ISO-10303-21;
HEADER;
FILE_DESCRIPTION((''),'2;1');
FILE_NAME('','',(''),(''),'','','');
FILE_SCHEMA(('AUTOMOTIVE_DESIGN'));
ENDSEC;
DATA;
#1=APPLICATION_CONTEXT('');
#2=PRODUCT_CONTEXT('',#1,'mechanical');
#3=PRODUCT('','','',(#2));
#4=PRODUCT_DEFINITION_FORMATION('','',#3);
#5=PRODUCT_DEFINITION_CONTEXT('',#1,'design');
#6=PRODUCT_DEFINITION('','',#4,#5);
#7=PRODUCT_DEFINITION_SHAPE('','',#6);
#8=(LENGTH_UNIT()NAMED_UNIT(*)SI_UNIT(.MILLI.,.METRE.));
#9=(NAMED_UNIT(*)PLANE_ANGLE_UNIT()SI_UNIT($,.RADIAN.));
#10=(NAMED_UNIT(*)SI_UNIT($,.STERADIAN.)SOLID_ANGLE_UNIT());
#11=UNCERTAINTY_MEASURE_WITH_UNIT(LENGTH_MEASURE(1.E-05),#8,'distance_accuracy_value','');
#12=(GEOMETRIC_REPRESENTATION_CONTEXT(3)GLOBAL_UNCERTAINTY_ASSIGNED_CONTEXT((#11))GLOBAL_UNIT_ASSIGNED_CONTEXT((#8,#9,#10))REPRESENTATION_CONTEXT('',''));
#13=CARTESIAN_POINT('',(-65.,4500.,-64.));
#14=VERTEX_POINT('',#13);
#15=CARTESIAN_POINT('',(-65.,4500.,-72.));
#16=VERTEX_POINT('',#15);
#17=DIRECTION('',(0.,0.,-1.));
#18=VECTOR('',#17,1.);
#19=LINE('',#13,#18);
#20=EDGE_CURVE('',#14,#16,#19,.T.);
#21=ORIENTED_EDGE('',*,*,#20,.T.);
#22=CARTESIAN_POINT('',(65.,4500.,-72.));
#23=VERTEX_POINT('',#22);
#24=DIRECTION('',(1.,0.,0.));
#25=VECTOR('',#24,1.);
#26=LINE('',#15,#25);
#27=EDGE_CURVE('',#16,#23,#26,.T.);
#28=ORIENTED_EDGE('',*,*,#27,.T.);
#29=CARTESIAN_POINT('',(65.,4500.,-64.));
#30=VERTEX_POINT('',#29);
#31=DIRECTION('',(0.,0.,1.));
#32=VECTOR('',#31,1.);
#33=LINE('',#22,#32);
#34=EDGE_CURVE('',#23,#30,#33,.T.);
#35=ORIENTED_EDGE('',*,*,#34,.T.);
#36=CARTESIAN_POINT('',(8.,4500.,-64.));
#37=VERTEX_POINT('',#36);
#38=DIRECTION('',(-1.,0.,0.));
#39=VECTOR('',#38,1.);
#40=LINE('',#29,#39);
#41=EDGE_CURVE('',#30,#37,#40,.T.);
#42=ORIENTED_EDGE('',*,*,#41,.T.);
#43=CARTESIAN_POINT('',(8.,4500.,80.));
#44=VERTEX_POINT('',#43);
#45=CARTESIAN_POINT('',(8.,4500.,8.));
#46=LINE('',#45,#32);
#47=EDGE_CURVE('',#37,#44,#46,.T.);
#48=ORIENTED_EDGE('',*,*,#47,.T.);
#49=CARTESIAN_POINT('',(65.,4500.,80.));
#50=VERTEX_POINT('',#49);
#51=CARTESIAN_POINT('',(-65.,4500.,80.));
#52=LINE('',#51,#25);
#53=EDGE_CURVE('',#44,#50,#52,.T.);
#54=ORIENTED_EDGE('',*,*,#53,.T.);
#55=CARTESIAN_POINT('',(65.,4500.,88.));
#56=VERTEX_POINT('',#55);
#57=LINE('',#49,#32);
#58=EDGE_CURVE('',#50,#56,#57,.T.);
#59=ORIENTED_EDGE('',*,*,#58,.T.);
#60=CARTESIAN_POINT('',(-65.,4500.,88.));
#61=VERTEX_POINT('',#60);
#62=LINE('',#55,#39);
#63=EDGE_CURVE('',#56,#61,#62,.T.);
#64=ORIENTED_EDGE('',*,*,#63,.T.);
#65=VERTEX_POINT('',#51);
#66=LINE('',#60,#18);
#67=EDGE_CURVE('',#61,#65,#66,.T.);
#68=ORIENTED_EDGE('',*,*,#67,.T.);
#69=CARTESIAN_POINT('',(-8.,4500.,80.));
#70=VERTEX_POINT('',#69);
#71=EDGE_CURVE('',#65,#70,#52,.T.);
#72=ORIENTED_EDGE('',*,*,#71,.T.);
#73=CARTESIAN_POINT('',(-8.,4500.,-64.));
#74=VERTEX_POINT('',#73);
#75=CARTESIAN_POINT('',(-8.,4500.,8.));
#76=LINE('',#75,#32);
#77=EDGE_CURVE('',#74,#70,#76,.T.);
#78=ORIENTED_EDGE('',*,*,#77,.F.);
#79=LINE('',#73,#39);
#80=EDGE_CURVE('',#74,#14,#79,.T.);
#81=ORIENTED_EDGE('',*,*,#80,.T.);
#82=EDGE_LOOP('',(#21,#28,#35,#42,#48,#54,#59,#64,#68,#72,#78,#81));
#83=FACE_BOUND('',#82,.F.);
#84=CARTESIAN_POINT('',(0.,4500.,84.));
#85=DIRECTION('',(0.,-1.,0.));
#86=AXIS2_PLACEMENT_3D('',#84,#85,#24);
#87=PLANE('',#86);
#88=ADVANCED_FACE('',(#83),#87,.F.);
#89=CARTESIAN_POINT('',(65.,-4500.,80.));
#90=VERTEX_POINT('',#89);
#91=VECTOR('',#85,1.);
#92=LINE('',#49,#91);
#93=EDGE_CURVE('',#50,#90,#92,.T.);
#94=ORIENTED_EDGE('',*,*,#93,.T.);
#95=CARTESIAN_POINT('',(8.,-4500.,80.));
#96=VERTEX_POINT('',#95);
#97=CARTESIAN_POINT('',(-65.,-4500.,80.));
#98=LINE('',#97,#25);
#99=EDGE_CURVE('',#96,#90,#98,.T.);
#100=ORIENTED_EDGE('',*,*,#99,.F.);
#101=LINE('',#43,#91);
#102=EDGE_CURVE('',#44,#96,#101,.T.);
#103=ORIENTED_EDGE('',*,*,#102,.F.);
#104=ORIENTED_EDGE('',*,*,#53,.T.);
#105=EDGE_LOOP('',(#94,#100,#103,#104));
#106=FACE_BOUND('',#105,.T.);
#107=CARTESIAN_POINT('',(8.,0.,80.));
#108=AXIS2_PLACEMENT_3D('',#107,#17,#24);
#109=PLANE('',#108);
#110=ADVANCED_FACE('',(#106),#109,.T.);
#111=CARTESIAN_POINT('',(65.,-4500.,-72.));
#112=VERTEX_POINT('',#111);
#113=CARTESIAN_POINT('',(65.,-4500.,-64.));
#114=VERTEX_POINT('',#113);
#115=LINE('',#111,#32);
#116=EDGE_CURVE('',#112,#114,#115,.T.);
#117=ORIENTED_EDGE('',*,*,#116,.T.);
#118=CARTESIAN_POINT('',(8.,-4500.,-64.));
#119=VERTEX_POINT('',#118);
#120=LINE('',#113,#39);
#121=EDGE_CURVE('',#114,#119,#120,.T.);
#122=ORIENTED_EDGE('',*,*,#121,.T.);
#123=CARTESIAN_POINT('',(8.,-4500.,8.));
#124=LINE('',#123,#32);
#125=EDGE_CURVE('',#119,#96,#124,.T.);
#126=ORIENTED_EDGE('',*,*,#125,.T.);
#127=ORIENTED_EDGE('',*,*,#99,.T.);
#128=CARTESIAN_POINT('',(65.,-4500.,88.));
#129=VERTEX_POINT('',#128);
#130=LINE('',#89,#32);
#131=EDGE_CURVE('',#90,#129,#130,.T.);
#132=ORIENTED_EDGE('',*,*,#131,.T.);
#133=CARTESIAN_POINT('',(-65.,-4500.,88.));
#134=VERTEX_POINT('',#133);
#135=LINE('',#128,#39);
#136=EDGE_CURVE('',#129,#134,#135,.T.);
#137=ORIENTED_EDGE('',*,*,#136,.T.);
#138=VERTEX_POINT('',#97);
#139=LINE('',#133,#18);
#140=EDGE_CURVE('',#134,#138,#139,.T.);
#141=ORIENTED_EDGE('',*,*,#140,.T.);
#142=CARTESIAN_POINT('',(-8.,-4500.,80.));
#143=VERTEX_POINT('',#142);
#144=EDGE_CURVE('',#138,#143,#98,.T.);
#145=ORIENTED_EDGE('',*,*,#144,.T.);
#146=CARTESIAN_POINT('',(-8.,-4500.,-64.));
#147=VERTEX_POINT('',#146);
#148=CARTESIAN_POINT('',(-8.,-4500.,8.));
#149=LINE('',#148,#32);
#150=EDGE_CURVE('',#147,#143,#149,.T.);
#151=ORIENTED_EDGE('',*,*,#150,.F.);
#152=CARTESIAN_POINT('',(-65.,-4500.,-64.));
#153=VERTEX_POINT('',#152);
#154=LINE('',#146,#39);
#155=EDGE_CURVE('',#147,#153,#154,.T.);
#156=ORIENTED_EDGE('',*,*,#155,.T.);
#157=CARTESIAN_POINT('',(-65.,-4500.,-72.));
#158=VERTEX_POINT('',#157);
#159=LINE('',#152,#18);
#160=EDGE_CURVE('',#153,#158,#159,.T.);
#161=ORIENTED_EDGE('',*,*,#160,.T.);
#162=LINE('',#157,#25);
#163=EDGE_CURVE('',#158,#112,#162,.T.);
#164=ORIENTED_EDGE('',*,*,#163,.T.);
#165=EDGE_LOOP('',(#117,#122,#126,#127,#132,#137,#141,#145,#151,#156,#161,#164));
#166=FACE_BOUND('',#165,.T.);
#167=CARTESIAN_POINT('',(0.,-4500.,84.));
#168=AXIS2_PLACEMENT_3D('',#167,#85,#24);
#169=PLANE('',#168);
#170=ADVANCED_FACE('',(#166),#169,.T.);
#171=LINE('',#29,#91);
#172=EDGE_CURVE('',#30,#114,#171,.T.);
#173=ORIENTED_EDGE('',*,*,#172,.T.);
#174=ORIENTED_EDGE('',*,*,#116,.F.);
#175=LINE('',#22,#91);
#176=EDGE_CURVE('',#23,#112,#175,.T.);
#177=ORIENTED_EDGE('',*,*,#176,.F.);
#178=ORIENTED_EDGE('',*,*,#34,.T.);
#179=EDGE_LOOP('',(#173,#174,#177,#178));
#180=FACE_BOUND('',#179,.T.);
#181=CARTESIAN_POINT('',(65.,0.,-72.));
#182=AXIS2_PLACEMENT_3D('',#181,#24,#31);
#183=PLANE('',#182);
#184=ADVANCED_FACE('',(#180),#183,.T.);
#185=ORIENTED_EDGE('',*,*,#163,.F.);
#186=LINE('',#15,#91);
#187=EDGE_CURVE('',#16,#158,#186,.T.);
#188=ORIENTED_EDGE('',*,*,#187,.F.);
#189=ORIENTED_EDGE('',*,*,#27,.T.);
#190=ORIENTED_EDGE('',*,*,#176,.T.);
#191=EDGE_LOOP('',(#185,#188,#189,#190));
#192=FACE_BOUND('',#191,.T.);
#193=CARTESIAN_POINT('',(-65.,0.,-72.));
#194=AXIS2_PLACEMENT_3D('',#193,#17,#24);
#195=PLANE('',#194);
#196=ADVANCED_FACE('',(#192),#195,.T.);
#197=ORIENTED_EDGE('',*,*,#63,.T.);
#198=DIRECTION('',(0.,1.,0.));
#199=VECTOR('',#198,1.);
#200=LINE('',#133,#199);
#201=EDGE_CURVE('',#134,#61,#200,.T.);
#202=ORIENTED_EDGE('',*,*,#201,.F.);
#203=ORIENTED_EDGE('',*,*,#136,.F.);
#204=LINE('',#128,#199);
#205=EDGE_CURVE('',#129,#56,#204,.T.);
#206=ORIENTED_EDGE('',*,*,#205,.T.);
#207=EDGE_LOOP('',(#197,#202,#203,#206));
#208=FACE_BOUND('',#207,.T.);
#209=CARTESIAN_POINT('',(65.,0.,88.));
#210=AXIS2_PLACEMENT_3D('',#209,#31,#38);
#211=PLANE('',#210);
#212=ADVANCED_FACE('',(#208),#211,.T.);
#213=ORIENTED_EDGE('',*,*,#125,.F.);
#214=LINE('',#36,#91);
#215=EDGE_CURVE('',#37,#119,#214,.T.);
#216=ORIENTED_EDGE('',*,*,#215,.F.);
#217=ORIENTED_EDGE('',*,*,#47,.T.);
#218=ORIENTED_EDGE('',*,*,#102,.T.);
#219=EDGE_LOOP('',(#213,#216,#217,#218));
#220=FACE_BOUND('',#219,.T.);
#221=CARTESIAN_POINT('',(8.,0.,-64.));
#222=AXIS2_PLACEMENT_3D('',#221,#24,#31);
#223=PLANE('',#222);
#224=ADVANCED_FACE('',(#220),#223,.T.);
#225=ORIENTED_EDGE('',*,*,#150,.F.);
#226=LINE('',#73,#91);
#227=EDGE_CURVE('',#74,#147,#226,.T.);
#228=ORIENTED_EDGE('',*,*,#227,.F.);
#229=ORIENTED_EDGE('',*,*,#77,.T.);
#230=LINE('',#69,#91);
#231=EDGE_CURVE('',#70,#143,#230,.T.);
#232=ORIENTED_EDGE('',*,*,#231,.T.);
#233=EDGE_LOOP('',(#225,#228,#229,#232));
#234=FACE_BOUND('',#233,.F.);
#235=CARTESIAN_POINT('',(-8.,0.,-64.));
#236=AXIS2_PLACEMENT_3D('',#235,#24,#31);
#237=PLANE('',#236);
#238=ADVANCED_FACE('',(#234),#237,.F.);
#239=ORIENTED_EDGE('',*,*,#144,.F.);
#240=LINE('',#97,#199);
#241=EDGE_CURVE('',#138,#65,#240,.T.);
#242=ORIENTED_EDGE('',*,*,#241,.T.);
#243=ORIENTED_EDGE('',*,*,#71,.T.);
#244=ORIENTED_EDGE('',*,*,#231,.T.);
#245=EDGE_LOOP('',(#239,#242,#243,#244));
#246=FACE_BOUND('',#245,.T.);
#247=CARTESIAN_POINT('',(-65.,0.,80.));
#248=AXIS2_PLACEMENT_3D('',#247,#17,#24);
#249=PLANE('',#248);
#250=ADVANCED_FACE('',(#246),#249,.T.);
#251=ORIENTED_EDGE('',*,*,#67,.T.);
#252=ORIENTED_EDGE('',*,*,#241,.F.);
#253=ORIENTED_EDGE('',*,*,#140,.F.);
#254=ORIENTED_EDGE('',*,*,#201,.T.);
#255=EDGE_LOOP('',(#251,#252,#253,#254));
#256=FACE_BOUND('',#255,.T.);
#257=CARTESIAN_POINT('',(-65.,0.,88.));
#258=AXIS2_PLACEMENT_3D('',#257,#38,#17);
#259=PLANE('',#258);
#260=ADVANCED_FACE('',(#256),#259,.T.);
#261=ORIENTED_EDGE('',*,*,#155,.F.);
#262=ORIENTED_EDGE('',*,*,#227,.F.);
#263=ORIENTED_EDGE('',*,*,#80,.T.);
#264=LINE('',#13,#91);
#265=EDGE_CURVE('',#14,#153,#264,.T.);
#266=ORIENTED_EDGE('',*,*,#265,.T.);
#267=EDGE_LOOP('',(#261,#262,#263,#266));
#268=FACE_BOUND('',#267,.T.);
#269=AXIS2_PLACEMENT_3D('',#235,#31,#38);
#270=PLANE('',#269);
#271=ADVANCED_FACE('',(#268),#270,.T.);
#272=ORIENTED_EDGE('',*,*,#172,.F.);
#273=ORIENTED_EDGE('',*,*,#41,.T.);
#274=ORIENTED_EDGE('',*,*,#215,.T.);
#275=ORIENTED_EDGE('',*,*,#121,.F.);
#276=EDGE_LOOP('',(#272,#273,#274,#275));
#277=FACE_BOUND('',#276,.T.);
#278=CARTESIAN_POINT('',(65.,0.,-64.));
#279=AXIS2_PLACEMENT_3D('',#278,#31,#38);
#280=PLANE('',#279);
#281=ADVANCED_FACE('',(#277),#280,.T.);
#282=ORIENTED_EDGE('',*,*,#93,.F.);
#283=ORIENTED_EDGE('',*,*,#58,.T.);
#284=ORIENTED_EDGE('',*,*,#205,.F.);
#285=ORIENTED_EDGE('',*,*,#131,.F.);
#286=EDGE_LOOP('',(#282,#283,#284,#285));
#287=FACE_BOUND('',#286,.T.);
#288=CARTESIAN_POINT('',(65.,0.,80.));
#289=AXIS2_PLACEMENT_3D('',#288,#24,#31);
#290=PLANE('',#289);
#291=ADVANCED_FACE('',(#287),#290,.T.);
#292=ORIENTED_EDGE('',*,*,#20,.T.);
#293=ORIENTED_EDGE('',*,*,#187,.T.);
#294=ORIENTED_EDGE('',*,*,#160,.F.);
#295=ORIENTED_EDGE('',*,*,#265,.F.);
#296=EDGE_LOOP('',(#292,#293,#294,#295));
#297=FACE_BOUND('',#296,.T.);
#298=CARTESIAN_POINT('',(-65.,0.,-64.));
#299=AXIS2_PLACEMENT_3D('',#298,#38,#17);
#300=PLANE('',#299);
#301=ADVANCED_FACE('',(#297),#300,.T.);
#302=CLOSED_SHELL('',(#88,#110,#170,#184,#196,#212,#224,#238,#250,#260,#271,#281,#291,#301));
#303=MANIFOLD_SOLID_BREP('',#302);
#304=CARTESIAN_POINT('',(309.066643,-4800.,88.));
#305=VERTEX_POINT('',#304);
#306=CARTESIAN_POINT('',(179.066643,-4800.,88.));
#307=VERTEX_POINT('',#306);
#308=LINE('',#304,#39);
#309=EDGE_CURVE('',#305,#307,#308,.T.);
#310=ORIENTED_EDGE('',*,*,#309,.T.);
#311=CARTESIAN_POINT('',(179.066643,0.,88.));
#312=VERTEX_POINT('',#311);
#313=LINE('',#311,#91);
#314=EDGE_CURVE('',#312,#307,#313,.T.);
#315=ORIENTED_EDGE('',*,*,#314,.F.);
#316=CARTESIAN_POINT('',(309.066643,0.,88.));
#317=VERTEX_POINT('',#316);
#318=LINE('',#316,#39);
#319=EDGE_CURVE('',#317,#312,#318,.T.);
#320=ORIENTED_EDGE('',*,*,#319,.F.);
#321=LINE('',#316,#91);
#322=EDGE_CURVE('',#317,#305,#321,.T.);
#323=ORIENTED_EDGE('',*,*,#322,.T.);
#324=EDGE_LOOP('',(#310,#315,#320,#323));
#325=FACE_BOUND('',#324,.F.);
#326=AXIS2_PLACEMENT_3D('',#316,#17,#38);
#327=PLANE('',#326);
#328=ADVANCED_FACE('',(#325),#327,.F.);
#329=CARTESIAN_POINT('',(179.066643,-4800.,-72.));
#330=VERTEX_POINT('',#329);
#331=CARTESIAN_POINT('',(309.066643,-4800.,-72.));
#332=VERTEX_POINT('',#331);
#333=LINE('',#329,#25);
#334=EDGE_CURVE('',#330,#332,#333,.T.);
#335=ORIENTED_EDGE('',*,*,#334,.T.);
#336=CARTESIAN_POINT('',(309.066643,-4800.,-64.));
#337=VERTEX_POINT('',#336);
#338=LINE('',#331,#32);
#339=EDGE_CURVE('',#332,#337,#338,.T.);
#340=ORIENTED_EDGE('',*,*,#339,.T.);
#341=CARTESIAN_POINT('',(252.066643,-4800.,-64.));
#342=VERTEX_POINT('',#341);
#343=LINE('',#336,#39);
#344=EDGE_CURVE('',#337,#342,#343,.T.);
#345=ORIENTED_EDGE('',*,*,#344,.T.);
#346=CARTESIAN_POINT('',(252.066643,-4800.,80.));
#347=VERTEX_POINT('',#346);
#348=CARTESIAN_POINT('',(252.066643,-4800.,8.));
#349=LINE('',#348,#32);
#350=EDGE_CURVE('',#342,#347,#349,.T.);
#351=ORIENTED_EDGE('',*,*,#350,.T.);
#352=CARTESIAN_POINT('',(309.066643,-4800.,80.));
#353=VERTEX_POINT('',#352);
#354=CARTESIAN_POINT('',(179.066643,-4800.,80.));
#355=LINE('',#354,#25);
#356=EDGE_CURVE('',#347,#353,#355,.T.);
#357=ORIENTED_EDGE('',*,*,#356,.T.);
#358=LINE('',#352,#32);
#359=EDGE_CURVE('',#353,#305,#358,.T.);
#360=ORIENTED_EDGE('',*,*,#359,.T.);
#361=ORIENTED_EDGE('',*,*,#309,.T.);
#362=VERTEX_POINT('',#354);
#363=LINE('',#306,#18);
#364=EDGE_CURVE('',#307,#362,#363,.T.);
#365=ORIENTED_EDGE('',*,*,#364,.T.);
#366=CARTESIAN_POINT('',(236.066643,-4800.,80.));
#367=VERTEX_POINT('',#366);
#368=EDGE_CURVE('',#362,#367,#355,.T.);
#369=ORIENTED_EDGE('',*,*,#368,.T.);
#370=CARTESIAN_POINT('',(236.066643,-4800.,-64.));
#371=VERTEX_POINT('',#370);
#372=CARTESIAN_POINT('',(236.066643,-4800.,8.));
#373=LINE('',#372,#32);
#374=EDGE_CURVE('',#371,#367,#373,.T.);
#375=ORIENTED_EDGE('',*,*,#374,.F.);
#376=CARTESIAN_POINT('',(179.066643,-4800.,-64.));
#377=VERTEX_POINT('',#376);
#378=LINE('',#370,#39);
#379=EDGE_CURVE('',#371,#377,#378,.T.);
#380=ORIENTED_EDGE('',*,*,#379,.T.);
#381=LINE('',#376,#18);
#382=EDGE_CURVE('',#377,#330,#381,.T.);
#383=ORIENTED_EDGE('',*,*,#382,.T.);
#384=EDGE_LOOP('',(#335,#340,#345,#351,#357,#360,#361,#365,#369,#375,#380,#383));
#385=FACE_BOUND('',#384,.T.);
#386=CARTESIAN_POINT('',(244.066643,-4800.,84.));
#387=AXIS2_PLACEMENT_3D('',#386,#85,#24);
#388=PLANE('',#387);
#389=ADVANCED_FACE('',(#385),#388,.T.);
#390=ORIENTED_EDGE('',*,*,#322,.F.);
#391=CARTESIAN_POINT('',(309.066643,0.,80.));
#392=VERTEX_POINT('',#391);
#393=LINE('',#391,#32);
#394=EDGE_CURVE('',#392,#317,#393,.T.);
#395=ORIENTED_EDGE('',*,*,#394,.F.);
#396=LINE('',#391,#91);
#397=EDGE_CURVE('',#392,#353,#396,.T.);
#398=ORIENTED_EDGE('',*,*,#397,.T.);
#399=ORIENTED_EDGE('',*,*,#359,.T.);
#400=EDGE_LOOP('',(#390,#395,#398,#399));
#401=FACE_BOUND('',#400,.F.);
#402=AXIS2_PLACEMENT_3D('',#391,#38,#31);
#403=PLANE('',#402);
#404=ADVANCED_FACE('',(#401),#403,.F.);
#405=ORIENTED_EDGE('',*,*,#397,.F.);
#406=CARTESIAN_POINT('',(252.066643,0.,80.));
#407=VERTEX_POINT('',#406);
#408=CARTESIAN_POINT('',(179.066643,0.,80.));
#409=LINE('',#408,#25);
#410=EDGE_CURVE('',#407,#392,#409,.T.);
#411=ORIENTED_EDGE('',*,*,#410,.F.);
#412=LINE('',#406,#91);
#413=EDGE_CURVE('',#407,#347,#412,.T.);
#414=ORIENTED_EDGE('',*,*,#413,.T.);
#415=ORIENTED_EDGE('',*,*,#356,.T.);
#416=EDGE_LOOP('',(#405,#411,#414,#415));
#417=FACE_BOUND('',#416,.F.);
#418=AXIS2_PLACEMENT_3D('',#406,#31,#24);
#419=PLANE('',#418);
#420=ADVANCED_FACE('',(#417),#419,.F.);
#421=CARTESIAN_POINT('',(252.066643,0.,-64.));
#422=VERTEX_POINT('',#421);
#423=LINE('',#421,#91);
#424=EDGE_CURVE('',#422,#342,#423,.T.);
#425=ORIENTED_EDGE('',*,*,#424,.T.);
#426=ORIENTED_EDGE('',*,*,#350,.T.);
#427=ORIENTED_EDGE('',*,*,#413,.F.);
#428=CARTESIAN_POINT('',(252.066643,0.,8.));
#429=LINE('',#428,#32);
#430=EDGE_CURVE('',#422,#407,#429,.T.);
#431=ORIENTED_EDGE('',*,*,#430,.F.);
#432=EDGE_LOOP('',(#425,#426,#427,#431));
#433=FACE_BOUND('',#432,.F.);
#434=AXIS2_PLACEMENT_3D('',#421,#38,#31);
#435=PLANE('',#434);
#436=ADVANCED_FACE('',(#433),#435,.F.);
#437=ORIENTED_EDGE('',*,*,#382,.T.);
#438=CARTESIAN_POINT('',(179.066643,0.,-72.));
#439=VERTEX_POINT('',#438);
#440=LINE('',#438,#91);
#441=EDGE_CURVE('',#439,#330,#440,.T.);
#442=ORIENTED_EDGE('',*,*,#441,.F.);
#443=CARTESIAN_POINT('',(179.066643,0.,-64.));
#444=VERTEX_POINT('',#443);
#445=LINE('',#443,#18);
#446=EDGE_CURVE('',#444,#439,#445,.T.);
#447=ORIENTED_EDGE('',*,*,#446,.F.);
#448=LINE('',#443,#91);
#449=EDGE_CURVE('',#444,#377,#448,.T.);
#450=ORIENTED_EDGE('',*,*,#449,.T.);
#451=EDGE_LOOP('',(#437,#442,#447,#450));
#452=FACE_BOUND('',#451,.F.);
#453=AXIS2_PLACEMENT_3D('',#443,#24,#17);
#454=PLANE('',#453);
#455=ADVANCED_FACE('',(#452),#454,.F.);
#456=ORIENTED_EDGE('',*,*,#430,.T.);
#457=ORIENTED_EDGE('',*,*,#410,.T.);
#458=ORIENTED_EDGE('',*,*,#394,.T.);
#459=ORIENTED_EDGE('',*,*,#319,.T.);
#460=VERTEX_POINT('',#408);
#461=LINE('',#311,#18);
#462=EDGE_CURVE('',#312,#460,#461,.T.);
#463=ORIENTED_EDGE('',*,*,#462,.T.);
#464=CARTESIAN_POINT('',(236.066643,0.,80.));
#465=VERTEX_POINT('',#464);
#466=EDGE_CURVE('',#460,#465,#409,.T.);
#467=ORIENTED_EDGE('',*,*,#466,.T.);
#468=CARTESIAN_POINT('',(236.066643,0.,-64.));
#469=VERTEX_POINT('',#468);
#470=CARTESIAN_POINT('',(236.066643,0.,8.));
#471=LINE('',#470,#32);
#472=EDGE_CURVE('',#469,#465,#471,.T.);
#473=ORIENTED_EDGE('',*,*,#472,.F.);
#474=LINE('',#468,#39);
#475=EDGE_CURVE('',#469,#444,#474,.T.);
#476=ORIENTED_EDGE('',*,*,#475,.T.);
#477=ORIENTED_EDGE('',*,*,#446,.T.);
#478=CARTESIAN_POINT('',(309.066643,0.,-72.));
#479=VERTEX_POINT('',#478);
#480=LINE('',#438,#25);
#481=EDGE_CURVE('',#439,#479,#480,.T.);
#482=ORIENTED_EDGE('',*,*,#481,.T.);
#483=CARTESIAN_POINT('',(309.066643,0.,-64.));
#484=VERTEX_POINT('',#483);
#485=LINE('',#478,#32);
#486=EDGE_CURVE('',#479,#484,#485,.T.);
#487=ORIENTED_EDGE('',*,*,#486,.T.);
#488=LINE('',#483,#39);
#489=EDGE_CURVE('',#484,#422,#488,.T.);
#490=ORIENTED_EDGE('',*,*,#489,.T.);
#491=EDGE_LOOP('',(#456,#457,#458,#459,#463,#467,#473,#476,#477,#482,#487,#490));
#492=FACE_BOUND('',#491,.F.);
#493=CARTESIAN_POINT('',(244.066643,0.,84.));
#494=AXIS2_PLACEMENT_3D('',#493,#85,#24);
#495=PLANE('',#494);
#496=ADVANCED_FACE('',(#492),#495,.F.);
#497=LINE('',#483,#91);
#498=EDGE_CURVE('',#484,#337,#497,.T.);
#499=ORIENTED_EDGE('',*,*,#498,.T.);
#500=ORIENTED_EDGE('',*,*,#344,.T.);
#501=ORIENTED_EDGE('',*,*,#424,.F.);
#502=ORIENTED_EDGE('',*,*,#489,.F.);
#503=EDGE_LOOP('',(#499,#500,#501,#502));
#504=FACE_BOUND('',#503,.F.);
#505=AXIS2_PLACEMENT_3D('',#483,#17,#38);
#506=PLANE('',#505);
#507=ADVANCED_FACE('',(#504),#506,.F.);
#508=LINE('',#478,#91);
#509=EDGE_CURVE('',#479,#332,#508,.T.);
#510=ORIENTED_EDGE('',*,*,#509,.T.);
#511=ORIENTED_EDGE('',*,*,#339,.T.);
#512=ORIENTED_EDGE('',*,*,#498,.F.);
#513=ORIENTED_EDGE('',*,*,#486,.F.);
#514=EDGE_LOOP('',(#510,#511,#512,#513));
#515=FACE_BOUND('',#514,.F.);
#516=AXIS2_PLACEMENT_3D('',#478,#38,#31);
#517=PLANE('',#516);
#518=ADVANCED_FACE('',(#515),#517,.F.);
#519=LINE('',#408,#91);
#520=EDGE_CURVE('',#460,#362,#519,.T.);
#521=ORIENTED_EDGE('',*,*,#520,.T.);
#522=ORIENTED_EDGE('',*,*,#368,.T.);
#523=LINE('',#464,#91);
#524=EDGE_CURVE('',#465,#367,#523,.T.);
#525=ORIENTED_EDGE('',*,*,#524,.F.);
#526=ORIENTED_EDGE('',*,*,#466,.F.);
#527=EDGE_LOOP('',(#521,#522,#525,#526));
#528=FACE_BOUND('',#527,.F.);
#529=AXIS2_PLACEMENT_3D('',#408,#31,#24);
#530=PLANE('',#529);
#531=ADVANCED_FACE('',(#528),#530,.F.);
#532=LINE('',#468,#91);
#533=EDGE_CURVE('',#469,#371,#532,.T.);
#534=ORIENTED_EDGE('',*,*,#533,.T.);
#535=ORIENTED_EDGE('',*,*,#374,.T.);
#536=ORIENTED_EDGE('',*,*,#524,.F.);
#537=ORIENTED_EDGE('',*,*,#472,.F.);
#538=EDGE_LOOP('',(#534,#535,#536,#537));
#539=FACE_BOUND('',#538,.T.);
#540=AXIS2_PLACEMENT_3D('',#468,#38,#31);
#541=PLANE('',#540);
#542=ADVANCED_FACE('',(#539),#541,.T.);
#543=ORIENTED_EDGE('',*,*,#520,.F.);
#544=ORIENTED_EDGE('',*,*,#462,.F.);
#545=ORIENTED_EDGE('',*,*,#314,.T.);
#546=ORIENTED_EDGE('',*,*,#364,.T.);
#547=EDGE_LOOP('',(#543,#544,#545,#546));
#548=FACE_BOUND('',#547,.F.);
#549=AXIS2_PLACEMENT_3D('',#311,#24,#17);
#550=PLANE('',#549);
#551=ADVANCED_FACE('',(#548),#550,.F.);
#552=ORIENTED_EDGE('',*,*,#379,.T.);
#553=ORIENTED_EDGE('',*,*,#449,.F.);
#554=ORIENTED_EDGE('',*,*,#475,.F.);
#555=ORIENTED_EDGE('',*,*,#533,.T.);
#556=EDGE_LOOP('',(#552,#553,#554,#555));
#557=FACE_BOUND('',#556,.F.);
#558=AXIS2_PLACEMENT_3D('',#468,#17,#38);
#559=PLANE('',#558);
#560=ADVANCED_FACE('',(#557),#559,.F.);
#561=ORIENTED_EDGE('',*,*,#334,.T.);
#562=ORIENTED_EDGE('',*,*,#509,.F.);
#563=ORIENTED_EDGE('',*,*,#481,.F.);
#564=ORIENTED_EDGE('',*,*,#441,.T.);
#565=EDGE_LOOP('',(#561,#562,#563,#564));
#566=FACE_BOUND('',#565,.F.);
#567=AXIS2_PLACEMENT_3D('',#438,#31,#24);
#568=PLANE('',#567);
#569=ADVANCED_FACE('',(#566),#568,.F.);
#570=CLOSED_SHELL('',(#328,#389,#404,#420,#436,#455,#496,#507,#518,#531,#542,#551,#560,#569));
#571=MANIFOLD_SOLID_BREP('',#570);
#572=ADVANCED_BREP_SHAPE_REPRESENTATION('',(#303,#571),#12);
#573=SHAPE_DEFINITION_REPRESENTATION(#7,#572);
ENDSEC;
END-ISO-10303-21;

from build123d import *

# Parameters (mm, degrees)
F0_W     = 16
F0_H     = 144
F1_DEPTH = 4500
F2_DEPTH = 4800


with BuildPart() as f1:
    # F0 (on Front) → F1 (new body, symmetric)
    with BuildSketch(Plane.XZ):
        Polygon((-65, 80), (-8, 80), (8, 80), (65, 80), (65, 88), (-65, 88), align=None)
        with Locations((0, 8)):
            Rectangle(F0_W, F0_H)
        Polygon((8, -64), (-8, -64), (-65, -64), (-65, -72), (65, -72), (65, -64), align=None)
    extrude(amount=F1_DEPTH, both=True)


with BuildPart() as f2:
    # F0 (on Front) → F2 (new body)
    with BuildSketch(Plane.XZ):
        Polygon((179.0666431189, 80), (236.0666431189, 80), (252.0666431189, 80), (309.0666431189, 80), (309.0666431189, 88), (179.0666431189, 88), align=None)
        with Locations((244.0666431189, 8)):
            Rectangle(F0_W, F0_H)
        Polygon((252.0666431189, -64), (236.0666431189, -64), (179.0666431189, -64), (179.0666431189, -72), (309.0666431189, -72), (309.0666431189, -64), align=None)
    extrude(amount=F2_DEPTH)


solid = Compound([f1.part, f2.part])
